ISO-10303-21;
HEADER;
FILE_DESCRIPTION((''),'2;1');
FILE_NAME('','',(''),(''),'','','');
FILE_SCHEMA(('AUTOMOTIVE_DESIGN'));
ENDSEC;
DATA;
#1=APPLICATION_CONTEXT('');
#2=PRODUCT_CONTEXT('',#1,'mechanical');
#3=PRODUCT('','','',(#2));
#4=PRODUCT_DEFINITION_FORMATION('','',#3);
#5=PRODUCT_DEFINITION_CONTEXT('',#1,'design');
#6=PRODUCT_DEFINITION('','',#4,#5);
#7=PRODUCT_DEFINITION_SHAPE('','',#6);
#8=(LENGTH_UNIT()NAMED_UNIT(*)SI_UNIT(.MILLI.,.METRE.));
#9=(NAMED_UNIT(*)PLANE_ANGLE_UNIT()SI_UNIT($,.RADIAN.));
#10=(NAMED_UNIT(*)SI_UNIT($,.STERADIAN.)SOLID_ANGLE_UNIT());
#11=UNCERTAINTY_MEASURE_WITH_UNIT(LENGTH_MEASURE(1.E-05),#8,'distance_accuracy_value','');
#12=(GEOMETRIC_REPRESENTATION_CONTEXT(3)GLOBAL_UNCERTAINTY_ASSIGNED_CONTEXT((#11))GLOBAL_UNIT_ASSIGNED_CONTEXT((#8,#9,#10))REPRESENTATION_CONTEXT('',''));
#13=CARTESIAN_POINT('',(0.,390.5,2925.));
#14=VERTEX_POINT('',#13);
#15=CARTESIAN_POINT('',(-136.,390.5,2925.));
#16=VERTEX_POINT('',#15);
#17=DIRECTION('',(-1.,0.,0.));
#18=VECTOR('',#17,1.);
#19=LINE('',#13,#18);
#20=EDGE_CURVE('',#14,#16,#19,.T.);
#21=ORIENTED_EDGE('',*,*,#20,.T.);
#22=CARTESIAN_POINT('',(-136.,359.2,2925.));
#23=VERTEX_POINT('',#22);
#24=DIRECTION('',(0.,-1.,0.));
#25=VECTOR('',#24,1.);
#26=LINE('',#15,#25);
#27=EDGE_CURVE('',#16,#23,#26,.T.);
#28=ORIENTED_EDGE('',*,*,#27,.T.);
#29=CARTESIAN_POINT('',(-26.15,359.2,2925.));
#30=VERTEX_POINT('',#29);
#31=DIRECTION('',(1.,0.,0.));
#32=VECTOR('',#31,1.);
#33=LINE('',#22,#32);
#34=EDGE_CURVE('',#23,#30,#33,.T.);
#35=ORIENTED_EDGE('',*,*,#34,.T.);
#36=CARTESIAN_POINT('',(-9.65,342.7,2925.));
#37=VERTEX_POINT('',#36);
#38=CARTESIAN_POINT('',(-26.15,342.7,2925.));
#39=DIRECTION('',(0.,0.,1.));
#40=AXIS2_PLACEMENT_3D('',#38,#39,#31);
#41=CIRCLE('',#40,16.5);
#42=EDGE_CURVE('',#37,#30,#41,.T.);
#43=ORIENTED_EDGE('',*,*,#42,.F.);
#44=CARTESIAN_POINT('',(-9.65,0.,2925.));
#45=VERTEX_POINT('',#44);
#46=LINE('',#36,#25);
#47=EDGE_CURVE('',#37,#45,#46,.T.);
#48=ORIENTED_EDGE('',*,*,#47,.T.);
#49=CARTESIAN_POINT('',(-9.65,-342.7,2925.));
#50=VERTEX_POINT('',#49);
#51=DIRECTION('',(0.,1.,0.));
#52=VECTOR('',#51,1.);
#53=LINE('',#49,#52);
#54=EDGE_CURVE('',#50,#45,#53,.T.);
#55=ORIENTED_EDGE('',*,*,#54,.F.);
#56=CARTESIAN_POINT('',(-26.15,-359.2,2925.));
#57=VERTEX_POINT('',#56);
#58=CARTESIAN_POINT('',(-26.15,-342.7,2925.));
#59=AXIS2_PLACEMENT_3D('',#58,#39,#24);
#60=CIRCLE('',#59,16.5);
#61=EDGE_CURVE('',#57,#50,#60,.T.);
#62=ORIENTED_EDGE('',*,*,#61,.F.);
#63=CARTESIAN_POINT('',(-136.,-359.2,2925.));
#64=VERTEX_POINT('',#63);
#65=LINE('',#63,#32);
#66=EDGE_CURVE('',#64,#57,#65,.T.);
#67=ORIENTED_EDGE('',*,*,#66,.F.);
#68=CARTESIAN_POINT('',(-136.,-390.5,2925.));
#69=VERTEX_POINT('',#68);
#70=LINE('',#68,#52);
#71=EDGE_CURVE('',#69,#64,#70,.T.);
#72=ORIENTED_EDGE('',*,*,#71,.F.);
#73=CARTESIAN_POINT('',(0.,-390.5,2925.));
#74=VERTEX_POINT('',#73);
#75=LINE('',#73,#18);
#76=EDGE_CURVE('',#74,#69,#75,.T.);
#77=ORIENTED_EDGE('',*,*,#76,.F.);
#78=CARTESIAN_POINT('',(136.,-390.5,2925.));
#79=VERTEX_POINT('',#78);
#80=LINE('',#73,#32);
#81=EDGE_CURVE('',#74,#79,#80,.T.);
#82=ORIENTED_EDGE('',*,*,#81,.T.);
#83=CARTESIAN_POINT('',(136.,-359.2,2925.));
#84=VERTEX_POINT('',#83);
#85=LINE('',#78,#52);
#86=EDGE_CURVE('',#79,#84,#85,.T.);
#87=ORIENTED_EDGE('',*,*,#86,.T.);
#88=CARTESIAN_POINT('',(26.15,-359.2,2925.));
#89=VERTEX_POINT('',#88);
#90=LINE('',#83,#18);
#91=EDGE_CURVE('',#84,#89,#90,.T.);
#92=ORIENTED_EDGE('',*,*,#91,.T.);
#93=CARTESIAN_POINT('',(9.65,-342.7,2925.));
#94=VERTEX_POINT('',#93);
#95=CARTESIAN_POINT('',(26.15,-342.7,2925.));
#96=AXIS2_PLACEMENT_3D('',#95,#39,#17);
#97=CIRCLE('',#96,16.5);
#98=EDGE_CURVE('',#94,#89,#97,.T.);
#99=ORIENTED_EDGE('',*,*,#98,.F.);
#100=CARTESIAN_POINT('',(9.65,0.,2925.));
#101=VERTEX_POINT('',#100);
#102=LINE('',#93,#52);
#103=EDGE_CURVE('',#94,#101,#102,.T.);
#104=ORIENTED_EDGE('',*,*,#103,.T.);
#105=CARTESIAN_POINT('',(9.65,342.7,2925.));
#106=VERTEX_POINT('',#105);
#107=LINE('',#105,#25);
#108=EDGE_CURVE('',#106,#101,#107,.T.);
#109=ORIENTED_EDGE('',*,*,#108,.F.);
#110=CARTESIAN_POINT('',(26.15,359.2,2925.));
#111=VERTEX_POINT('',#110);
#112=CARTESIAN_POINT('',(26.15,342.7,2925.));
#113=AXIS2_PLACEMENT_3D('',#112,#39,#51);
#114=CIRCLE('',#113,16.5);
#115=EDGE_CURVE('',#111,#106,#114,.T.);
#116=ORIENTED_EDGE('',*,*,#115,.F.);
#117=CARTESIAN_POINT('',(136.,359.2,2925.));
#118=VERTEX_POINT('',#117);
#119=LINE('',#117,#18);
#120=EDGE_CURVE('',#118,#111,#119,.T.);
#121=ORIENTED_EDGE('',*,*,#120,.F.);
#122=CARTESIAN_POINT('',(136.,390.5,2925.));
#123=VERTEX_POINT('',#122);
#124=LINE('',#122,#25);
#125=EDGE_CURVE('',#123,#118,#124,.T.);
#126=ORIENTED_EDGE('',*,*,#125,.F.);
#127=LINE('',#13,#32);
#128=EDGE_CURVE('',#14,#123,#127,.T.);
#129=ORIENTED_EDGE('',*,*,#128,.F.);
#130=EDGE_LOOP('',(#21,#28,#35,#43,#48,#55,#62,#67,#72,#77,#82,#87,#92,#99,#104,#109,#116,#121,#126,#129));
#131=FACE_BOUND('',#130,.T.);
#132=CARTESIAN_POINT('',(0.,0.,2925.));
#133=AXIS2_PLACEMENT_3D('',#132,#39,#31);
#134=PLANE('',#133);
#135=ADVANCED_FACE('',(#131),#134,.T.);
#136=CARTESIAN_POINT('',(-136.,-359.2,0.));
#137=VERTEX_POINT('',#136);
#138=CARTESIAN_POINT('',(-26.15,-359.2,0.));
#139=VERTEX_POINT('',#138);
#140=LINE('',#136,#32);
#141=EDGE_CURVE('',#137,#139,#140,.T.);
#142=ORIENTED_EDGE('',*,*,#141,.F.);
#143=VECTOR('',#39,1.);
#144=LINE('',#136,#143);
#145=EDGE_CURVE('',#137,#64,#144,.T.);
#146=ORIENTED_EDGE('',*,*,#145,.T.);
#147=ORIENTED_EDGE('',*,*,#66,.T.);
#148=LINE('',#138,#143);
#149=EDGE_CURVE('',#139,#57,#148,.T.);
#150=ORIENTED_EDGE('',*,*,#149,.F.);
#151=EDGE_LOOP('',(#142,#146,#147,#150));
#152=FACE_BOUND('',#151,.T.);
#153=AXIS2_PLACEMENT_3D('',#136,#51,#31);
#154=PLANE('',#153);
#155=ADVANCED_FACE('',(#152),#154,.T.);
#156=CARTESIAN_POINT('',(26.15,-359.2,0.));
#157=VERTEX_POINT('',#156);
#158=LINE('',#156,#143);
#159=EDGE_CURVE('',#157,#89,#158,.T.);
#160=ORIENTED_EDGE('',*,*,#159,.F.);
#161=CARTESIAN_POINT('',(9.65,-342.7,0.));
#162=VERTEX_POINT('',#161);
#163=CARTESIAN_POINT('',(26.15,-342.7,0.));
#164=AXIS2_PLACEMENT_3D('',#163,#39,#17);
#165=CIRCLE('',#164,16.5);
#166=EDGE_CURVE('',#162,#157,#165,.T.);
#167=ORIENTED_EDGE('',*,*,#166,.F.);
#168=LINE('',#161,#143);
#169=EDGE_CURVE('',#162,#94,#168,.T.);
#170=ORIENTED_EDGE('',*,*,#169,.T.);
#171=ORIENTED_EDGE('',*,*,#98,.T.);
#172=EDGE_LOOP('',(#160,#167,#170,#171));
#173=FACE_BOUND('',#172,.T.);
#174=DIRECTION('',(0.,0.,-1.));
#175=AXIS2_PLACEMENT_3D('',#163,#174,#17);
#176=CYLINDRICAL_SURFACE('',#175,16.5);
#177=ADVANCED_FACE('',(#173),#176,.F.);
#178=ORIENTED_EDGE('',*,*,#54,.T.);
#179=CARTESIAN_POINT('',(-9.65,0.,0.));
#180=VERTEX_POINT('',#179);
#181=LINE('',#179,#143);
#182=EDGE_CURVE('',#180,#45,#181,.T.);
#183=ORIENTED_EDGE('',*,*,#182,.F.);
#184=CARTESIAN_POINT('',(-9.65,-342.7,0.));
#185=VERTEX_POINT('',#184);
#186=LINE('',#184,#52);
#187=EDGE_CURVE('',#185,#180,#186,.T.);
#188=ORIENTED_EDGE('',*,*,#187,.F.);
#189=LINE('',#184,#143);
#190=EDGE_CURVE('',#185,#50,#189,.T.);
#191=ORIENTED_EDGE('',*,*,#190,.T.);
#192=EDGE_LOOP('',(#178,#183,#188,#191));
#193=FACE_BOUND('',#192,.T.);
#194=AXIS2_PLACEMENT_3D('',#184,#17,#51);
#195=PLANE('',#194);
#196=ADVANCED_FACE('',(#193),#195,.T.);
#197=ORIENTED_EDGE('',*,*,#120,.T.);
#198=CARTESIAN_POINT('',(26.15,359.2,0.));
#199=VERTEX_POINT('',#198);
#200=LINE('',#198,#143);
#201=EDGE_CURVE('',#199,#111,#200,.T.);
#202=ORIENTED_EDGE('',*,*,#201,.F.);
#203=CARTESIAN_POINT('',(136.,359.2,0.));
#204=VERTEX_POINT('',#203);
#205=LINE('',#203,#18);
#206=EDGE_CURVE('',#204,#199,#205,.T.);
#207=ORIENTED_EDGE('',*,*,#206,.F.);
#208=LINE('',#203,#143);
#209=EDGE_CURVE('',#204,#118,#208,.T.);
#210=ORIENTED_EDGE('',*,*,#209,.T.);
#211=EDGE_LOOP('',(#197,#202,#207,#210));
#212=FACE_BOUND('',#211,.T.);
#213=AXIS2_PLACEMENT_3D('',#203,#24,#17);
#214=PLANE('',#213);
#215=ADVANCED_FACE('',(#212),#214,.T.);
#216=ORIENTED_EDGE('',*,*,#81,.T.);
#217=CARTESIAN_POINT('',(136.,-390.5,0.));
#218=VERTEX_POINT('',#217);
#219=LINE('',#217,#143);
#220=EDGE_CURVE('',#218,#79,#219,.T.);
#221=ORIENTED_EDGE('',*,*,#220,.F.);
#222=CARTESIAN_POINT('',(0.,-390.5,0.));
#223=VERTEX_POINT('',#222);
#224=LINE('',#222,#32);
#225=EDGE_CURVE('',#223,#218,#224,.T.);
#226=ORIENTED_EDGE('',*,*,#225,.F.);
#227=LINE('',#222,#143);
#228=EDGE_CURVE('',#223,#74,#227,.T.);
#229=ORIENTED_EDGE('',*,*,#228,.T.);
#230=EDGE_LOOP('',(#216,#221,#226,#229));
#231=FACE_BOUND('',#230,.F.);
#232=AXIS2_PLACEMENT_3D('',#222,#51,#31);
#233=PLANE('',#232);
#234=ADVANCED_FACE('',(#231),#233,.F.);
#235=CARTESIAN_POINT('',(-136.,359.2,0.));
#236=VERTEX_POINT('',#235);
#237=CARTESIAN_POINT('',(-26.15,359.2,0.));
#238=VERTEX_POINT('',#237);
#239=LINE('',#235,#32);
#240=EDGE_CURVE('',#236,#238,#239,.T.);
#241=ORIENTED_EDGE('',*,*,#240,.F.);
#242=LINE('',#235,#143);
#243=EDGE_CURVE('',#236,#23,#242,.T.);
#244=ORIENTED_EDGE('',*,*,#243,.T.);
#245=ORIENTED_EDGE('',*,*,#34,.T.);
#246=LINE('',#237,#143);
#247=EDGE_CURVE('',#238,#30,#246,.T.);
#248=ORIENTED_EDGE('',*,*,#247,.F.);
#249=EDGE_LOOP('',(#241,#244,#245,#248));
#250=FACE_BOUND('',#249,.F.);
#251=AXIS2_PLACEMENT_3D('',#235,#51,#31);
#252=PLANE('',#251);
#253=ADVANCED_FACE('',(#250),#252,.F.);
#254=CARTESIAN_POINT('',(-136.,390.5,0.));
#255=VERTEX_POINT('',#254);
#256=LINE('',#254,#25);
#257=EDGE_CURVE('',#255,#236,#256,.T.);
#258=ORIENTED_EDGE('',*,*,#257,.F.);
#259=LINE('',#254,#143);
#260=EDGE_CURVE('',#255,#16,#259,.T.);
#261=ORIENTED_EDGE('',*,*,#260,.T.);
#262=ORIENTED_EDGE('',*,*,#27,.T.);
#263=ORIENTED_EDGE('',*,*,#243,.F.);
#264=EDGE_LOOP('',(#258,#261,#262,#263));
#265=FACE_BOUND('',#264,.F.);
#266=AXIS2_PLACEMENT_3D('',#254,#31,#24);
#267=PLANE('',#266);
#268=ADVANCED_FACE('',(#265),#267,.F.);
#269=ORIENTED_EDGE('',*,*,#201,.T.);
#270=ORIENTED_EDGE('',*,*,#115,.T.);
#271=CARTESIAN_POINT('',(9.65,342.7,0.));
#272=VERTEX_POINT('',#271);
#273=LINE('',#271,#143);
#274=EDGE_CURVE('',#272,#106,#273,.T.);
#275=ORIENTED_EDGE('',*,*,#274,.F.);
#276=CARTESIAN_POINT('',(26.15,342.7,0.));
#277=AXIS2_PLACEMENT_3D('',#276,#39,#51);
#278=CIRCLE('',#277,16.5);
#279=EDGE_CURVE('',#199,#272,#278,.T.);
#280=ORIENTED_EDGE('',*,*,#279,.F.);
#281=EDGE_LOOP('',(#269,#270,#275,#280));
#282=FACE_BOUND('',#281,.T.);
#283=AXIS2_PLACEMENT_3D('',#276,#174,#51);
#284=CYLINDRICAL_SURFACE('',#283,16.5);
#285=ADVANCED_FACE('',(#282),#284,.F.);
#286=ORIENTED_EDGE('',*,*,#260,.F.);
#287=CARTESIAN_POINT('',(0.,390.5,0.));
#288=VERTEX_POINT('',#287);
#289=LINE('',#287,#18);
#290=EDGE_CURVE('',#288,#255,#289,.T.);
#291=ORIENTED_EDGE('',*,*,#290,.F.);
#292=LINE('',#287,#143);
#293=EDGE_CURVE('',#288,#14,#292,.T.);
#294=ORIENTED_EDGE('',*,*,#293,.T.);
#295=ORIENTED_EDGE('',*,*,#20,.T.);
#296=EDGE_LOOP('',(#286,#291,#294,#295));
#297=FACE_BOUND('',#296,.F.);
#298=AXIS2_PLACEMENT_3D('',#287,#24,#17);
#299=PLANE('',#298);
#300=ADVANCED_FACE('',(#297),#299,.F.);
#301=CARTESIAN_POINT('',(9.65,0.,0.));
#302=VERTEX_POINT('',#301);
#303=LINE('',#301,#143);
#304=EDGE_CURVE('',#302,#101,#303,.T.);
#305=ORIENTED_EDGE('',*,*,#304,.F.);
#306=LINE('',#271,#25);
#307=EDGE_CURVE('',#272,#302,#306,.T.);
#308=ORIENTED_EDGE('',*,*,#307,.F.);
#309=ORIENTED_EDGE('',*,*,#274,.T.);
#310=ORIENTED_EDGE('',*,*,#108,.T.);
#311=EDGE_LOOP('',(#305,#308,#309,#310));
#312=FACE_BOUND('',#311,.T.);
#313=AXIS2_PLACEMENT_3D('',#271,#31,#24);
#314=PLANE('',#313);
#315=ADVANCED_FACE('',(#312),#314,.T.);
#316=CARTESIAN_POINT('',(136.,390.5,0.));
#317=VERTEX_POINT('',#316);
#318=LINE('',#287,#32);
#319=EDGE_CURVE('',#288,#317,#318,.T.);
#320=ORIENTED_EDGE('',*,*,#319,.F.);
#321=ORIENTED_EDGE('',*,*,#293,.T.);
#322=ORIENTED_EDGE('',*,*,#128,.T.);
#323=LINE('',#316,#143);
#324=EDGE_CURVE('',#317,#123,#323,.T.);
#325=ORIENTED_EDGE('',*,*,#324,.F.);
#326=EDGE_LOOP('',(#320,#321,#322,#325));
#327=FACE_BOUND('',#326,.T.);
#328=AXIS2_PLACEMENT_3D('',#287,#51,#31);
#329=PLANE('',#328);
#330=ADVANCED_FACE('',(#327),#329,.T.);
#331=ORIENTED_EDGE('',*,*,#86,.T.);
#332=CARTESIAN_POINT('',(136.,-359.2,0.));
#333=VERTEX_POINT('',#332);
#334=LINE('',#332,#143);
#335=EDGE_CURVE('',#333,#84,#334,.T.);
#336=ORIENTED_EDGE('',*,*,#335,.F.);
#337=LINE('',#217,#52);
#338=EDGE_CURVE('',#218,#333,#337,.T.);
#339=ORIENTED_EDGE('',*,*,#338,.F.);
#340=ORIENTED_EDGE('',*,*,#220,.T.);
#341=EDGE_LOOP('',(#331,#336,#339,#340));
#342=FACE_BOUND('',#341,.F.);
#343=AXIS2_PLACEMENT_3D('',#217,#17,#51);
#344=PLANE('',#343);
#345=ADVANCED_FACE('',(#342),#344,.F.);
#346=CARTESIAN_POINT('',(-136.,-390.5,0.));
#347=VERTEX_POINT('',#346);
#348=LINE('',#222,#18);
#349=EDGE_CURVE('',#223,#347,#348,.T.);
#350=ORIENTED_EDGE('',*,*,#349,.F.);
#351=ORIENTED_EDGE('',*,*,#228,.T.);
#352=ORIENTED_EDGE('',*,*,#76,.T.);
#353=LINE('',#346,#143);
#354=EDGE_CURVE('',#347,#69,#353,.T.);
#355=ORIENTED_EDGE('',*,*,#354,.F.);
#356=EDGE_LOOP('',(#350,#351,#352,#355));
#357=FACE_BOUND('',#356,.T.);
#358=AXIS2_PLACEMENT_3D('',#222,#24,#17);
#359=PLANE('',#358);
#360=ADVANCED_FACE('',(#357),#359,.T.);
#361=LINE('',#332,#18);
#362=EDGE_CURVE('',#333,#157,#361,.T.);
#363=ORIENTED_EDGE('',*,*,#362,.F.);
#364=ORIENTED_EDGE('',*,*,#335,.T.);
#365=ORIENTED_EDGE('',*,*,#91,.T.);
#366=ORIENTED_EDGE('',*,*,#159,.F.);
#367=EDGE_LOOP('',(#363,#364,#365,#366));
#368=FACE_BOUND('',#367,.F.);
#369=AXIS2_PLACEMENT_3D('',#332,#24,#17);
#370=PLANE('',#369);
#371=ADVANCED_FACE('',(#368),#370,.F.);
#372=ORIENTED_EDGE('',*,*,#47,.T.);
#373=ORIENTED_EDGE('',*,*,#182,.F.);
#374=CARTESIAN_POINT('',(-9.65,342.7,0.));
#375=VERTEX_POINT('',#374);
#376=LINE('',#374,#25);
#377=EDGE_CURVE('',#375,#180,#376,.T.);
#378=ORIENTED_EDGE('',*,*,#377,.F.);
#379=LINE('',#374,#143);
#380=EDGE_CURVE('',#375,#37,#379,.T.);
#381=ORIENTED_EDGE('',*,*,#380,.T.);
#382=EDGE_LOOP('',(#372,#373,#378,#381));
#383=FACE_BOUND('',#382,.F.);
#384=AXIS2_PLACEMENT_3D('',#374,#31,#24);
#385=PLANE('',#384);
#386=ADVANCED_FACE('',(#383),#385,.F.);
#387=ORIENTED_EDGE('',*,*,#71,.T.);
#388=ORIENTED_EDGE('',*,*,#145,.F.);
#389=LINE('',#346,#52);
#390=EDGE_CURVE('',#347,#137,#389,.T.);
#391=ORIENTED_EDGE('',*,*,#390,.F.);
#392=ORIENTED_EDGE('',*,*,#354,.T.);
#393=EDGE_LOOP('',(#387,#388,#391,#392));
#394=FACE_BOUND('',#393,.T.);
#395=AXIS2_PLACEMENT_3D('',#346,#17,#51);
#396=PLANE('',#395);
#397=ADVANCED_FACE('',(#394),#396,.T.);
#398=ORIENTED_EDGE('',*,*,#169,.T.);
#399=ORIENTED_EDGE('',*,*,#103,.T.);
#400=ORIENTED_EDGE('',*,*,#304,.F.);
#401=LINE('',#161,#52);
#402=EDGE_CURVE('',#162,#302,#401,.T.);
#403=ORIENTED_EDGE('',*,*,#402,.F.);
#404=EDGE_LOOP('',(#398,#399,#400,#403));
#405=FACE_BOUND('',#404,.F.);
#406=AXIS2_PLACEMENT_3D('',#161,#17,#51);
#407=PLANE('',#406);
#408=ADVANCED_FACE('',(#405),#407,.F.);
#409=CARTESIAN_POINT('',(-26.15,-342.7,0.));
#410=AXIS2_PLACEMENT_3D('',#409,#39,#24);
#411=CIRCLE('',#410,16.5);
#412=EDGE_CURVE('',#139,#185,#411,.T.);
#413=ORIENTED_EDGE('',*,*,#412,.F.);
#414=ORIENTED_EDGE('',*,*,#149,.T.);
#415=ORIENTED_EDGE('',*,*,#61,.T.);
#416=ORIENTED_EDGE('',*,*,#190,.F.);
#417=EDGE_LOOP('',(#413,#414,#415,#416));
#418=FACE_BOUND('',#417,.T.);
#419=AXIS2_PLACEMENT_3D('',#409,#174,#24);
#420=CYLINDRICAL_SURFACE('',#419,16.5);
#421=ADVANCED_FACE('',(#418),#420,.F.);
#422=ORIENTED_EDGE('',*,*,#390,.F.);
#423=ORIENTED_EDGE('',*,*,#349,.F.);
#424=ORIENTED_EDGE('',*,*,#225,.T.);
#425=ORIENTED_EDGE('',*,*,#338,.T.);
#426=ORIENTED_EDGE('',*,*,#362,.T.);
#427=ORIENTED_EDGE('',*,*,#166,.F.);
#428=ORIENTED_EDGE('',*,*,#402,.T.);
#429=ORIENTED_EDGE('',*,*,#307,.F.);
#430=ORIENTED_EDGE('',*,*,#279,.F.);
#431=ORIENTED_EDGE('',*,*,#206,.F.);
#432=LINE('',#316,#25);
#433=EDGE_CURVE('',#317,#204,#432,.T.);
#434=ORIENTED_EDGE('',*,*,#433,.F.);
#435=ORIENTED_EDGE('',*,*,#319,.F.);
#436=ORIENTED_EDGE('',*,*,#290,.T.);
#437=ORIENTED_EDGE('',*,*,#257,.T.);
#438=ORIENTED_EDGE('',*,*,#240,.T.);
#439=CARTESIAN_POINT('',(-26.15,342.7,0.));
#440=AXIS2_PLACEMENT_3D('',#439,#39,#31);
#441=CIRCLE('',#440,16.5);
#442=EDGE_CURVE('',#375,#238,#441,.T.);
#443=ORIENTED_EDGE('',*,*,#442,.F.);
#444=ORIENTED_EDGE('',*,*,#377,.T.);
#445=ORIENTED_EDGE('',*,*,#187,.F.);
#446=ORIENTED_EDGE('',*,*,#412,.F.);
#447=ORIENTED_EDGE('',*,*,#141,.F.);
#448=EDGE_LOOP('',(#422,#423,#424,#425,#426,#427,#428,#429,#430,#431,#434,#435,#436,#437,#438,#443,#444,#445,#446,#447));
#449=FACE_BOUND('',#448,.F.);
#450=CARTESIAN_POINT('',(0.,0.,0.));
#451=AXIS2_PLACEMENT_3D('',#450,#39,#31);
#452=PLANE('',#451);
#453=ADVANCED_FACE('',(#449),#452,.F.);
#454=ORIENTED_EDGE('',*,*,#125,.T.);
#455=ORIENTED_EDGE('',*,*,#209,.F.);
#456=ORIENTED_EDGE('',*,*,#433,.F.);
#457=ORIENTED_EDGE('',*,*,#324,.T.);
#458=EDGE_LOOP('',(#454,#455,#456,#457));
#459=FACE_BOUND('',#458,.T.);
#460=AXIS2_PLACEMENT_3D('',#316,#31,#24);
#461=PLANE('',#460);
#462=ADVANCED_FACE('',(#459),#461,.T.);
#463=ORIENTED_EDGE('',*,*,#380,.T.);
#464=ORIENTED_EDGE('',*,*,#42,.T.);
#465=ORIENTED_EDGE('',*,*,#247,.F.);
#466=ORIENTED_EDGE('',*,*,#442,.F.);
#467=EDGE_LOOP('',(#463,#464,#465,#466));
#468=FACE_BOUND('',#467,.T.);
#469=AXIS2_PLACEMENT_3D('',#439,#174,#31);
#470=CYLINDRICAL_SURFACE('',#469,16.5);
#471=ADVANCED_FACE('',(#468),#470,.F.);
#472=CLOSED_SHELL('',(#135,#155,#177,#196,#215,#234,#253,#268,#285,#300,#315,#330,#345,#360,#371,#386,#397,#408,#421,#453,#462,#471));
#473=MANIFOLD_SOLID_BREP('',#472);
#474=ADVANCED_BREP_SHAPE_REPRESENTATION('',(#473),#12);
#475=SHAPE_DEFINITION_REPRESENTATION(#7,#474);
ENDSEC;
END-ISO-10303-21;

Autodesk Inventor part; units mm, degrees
ref_plane "YZ Plane" through (0, 0, 0) normal (1, 0, 0) x (0, 1, 0)
ref_plane "Start plane" through (0, 0, 0) normal (0, 0, 1) x (1, 0, 0)
ref_plane "End plane" through (0, 0, 2925) normal (0, 0, 1) x (1, 0, 0)
sketch "Sketch" plane through (0, 0, 0) normal (0, 0, 1) x (1, 0, 0)
  line L0 (-136, -390.5) -> (-136, -359.2)
  line L1 (-136, -359.2) -> (-26.15, -359.2)
  line L2 (-9.65, -342.7) -> (-9.65, 0)
  line L3 (-9.65, 0) -> (0, 0) construction
  line L4 (0, 0) -> (0, -390.5) construction
  line L5 (0, -390.5) -> (-136, -390.5)
  line L6 (-60, 0) -> (80, 0) construction
  line L7 (0, -60) -> (0, 80) construction
  line L8 (136, -390.5) -> (136, -359.2)
  line L9 (136, -359.2) -> (26.15, -359.2)
  line L10 (9.65, -342.7) -> (9.65, 0)
  line L11 (9.65, 0) -> (0, 0) construction
  line L12 (0, -390.5) -> (136, -390.5)
  line L13 (-136, 390.5) -> (-136, 359.2)
  line L14 (-136, 359.2) -> (-26.15, 359.2)
  line L15 (-9.65, 342.7) -> (-9.65, 0)
  line L16 (0, 390.5) -> (-136, 390.5)
  line L17 (136, 390.5) -> (136, 359.2)
  line L18 (136, 359.2) -> (26.15, 359.2)
  line L19 (0, 390.5) -> (136, 390.5)
  line L20 (9.65, 342.7) -> (9.65, 0)
  arc A0 (-9.65, 342.7) -> (-26.15, 359.2) centre (-26.15, 342.7) ccw
  arc A1 (26.15, 359.2) -> (9.65, 342.7) centre (26.15, 342.7) ccw
  arc A2 (9.65, -342.7) -> (26.15, -359.2) centre (26.15, -342.7) ccw
  arc A3 (-26.15, -359.2) -> (-9.65, -342.7) centre (-26.15, -342.7) ccw
  line L21 (0, 108) -> (0, -88) construction
  line L22 (-88, 0) -> (108, 0) construction
  point P0 (-9.65, -359.2)
  point P1 (9.65, -359.2)
  point P2 (-9.65, 359.2)
  point P3 (9.65, 359.2)
  dimension "d1" = 390.5
  dimension "d2" = 31.3
  dimension "d3" = 136
  dimension "d4" = 9.65
  dimension "d10" = 16.5
extrude "Body" add sketch "Sketch" along normal up to surface (2925 mm away) from surface at 0
sketch "Sketch4" plane through (0, 0, 0) normal (0, 0, 1) x (1, 0, 0)
  line L0 (0, 0) -> (10, 0)
ref_plane "Work Plane3" through (0, 0, 0) normal (0, -1, 0) x (1, 0, 0)
sketch "Sketch5" plane through (0, 0, 0) normal (0, -1, 0) x (1, 0, 0)
  line L0 (-2, 0) -> (12, 0) projected
  line L1 (-2, 2925) -> (12, 2925) projected
  dimension "d14" = 2925
equation "\"d1\" = 0.5 * G_H"
equation "\"d2\" = G_T1"
equation "\"d3\" = 0.5 * G_W"
equation "\"d4\" = 0.5 * G_T"
equation "\"d10\" = G_IR"
equation "\"d5\" = G_L"
equation "\"G_W\" = 272"
equation "\"G_H\" = 781"
equation "\"G_T\" = 19.3"
equation "\"G_T1\" = 31.3"
equation "\"G_IR\" = 16.5"
equation "\"G_L\" = d14"
equation "\"G_OFFSET_START\" = 0"
equation "\"G_OFFSET_END\" = 0"
equation "\"d12\" = G_OFFSET_END + B_L"
equation "\"B_L\" = 2925"
properties part number "AS 3679-1990 - 760 UB - 244 - 2925" material "Steel, Mild"
